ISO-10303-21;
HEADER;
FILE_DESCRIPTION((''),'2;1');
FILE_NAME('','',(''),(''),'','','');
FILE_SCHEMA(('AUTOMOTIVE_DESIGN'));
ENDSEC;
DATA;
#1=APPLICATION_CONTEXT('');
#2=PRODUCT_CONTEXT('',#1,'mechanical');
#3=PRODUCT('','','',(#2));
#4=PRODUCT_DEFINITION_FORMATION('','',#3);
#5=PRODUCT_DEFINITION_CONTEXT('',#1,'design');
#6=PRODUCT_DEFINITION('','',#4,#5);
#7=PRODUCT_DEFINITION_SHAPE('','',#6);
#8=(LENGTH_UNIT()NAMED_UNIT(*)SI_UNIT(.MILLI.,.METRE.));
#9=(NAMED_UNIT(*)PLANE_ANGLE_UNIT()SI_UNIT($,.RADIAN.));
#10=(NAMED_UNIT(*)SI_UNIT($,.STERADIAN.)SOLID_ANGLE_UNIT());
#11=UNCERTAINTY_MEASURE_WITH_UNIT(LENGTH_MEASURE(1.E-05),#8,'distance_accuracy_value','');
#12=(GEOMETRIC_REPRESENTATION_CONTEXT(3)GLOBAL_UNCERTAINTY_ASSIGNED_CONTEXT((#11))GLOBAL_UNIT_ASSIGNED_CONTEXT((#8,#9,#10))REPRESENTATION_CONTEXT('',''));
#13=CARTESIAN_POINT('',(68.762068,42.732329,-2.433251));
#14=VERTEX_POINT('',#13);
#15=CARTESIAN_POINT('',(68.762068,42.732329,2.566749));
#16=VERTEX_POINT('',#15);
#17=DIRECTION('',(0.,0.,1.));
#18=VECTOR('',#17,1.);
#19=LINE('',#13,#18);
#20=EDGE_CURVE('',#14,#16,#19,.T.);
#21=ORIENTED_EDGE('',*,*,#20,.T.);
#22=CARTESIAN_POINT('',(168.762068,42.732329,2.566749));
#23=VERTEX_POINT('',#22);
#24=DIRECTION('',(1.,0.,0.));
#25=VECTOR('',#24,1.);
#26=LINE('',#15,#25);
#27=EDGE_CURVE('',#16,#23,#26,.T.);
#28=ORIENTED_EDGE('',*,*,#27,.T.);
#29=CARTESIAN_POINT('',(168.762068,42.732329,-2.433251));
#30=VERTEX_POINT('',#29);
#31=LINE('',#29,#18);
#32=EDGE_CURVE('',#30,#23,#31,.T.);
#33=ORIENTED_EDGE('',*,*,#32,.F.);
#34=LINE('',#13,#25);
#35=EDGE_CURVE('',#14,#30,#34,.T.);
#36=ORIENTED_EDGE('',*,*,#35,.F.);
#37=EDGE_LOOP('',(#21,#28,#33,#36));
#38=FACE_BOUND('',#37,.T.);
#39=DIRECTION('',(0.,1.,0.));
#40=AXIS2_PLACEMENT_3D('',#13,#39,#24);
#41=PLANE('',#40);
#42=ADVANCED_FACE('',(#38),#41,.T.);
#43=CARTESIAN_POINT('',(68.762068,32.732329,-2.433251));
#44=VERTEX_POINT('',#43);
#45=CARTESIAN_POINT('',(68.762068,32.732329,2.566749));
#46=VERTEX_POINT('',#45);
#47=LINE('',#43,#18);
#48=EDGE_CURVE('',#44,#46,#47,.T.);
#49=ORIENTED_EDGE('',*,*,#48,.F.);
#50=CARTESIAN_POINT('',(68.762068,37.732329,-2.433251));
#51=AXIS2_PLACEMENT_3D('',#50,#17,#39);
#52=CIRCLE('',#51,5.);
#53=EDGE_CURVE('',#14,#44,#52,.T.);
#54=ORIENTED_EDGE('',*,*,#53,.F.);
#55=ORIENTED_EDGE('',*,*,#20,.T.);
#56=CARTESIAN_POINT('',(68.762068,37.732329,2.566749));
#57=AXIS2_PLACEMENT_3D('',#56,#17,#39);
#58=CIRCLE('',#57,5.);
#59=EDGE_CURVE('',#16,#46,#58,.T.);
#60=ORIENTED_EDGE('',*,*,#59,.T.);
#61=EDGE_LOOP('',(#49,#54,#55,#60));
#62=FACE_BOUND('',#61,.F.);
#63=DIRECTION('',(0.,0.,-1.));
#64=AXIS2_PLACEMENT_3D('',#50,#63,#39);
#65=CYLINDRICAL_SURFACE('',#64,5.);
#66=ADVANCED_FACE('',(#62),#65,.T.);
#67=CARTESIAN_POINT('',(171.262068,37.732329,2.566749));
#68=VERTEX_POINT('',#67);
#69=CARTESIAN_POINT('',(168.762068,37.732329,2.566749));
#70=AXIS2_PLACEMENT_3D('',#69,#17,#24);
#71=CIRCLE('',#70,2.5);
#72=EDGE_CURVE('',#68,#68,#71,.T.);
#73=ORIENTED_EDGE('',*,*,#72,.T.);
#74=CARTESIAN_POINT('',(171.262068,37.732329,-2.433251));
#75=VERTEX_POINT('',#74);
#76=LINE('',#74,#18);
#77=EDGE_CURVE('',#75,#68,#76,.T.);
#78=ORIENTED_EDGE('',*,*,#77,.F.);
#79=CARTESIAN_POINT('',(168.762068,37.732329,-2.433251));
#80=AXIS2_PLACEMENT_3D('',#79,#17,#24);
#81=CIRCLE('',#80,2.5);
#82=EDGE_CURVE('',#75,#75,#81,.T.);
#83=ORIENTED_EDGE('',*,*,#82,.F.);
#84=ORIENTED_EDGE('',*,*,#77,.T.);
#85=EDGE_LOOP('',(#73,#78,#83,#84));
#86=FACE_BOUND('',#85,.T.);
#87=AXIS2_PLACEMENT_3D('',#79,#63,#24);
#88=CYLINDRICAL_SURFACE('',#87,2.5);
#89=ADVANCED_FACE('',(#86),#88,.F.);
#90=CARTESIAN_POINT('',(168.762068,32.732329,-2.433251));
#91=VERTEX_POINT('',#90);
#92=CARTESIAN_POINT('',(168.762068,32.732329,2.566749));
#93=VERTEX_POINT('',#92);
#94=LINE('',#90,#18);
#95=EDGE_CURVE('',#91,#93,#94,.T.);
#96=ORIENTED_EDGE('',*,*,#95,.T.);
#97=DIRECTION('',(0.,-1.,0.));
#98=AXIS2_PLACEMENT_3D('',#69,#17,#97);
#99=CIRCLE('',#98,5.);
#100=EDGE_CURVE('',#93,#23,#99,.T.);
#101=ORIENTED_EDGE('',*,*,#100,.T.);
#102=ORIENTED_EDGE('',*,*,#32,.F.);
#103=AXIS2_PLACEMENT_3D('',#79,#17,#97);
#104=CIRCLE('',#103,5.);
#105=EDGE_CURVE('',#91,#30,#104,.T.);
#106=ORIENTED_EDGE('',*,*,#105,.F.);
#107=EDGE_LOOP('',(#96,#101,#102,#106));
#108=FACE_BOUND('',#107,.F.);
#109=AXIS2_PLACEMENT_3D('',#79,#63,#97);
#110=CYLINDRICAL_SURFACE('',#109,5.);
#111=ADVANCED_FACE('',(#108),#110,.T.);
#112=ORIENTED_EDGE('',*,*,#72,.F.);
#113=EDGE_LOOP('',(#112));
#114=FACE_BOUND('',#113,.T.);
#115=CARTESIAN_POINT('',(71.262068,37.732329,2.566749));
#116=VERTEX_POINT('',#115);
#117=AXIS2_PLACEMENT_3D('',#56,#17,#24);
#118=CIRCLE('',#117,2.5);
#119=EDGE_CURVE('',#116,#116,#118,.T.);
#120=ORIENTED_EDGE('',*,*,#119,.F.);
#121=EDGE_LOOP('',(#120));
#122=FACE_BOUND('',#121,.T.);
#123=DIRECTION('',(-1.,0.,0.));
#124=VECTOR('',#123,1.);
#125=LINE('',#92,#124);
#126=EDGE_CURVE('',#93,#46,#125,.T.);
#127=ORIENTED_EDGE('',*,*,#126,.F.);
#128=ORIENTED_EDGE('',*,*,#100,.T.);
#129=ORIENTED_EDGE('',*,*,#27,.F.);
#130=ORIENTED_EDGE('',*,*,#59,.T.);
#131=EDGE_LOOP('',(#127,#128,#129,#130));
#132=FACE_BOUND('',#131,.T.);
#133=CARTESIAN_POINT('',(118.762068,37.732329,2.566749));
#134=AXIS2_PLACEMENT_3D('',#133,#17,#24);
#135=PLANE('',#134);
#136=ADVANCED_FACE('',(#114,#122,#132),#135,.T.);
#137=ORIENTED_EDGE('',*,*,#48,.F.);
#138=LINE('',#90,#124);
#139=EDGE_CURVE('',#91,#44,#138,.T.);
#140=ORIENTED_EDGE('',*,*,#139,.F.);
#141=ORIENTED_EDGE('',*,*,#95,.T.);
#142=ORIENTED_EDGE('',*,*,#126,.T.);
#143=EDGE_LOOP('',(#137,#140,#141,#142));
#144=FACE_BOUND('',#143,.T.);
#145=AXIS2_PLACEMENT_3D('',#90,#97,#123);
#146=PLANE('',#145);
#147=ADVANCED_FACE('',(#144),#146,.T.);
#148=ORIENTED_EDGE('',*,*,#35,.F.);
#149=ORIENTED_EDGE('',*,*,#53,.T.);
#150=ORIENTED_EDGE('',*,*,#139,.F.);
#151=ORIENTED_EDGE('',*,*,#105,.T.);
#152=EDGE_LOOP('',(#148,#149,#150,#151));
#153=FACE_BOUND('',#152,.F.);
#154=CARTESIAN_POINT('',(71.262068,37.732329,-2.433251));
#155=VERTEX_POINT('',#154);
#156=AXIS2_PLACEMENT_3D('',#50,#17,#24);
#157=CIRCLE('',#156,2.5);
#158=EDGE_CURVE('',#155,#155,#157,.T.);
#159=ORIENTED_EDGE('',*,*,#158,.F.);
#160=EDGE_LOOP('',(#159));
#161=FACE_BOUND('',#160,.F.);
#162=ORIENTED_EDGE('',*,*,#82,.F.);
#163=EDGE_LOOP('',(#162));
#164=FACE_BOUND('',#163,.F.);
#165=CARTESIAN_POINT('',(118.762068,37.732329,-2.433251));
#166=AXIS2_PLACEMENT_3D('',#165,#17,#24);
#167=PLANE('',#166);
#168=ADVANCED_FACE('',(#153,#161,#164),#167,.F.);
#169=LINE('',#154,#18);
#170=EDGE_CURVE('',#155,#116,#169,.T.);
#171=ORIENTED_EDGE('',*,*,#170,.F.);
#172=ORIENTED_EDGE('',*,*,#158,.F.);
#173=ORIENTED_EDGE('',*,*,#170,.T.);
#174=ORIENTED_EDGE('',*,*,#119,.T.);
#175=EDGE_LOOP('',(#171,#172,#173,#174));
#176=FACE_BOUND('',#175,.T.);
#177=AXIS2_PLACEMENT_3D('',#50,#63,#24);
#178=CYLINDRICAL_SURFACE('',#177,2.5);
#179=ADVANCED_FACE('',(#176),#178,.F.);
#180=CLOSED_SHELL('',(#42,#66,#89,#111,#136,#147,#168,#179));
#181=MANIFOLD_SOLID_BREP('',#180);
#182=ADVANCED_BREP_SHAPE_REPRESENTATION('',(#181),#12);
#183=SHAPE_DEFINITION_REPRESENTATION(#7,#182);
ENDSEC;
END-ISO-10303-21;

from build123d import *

# Parameters (mm, degrees)
SKETCH_R      = 2.5
EXTRUDE_DEPTH = 5


with BuildPart() as part:
    # Sketch → Extrude (new body)
    with BuildSketch(Plane.XY):
        with BuildLine():
            ThreePointArc((0, 5), (-5, 0), (0, -5))
            Line((100, -5), (0, -5))
            ThreePointArc((100, -5), (105, 0), (100, 5))
            Line((0, 5), (100, 5))
        make_face()
        Circle(SKETCH_R, mode=Mode.SUBTRACT)
        with Locations((100, 0)):
            Circle(SKETCH_R, mode=Mode.SUBTRACT)
    extrude(amount=EXTRUDE_DEPTH)


with BuildPart() as part_1:
    # Extrude placement: moved
    add(part.part.moved(Location((68.762068, 37.732329, -2.433251))))


solid = part_1.part
